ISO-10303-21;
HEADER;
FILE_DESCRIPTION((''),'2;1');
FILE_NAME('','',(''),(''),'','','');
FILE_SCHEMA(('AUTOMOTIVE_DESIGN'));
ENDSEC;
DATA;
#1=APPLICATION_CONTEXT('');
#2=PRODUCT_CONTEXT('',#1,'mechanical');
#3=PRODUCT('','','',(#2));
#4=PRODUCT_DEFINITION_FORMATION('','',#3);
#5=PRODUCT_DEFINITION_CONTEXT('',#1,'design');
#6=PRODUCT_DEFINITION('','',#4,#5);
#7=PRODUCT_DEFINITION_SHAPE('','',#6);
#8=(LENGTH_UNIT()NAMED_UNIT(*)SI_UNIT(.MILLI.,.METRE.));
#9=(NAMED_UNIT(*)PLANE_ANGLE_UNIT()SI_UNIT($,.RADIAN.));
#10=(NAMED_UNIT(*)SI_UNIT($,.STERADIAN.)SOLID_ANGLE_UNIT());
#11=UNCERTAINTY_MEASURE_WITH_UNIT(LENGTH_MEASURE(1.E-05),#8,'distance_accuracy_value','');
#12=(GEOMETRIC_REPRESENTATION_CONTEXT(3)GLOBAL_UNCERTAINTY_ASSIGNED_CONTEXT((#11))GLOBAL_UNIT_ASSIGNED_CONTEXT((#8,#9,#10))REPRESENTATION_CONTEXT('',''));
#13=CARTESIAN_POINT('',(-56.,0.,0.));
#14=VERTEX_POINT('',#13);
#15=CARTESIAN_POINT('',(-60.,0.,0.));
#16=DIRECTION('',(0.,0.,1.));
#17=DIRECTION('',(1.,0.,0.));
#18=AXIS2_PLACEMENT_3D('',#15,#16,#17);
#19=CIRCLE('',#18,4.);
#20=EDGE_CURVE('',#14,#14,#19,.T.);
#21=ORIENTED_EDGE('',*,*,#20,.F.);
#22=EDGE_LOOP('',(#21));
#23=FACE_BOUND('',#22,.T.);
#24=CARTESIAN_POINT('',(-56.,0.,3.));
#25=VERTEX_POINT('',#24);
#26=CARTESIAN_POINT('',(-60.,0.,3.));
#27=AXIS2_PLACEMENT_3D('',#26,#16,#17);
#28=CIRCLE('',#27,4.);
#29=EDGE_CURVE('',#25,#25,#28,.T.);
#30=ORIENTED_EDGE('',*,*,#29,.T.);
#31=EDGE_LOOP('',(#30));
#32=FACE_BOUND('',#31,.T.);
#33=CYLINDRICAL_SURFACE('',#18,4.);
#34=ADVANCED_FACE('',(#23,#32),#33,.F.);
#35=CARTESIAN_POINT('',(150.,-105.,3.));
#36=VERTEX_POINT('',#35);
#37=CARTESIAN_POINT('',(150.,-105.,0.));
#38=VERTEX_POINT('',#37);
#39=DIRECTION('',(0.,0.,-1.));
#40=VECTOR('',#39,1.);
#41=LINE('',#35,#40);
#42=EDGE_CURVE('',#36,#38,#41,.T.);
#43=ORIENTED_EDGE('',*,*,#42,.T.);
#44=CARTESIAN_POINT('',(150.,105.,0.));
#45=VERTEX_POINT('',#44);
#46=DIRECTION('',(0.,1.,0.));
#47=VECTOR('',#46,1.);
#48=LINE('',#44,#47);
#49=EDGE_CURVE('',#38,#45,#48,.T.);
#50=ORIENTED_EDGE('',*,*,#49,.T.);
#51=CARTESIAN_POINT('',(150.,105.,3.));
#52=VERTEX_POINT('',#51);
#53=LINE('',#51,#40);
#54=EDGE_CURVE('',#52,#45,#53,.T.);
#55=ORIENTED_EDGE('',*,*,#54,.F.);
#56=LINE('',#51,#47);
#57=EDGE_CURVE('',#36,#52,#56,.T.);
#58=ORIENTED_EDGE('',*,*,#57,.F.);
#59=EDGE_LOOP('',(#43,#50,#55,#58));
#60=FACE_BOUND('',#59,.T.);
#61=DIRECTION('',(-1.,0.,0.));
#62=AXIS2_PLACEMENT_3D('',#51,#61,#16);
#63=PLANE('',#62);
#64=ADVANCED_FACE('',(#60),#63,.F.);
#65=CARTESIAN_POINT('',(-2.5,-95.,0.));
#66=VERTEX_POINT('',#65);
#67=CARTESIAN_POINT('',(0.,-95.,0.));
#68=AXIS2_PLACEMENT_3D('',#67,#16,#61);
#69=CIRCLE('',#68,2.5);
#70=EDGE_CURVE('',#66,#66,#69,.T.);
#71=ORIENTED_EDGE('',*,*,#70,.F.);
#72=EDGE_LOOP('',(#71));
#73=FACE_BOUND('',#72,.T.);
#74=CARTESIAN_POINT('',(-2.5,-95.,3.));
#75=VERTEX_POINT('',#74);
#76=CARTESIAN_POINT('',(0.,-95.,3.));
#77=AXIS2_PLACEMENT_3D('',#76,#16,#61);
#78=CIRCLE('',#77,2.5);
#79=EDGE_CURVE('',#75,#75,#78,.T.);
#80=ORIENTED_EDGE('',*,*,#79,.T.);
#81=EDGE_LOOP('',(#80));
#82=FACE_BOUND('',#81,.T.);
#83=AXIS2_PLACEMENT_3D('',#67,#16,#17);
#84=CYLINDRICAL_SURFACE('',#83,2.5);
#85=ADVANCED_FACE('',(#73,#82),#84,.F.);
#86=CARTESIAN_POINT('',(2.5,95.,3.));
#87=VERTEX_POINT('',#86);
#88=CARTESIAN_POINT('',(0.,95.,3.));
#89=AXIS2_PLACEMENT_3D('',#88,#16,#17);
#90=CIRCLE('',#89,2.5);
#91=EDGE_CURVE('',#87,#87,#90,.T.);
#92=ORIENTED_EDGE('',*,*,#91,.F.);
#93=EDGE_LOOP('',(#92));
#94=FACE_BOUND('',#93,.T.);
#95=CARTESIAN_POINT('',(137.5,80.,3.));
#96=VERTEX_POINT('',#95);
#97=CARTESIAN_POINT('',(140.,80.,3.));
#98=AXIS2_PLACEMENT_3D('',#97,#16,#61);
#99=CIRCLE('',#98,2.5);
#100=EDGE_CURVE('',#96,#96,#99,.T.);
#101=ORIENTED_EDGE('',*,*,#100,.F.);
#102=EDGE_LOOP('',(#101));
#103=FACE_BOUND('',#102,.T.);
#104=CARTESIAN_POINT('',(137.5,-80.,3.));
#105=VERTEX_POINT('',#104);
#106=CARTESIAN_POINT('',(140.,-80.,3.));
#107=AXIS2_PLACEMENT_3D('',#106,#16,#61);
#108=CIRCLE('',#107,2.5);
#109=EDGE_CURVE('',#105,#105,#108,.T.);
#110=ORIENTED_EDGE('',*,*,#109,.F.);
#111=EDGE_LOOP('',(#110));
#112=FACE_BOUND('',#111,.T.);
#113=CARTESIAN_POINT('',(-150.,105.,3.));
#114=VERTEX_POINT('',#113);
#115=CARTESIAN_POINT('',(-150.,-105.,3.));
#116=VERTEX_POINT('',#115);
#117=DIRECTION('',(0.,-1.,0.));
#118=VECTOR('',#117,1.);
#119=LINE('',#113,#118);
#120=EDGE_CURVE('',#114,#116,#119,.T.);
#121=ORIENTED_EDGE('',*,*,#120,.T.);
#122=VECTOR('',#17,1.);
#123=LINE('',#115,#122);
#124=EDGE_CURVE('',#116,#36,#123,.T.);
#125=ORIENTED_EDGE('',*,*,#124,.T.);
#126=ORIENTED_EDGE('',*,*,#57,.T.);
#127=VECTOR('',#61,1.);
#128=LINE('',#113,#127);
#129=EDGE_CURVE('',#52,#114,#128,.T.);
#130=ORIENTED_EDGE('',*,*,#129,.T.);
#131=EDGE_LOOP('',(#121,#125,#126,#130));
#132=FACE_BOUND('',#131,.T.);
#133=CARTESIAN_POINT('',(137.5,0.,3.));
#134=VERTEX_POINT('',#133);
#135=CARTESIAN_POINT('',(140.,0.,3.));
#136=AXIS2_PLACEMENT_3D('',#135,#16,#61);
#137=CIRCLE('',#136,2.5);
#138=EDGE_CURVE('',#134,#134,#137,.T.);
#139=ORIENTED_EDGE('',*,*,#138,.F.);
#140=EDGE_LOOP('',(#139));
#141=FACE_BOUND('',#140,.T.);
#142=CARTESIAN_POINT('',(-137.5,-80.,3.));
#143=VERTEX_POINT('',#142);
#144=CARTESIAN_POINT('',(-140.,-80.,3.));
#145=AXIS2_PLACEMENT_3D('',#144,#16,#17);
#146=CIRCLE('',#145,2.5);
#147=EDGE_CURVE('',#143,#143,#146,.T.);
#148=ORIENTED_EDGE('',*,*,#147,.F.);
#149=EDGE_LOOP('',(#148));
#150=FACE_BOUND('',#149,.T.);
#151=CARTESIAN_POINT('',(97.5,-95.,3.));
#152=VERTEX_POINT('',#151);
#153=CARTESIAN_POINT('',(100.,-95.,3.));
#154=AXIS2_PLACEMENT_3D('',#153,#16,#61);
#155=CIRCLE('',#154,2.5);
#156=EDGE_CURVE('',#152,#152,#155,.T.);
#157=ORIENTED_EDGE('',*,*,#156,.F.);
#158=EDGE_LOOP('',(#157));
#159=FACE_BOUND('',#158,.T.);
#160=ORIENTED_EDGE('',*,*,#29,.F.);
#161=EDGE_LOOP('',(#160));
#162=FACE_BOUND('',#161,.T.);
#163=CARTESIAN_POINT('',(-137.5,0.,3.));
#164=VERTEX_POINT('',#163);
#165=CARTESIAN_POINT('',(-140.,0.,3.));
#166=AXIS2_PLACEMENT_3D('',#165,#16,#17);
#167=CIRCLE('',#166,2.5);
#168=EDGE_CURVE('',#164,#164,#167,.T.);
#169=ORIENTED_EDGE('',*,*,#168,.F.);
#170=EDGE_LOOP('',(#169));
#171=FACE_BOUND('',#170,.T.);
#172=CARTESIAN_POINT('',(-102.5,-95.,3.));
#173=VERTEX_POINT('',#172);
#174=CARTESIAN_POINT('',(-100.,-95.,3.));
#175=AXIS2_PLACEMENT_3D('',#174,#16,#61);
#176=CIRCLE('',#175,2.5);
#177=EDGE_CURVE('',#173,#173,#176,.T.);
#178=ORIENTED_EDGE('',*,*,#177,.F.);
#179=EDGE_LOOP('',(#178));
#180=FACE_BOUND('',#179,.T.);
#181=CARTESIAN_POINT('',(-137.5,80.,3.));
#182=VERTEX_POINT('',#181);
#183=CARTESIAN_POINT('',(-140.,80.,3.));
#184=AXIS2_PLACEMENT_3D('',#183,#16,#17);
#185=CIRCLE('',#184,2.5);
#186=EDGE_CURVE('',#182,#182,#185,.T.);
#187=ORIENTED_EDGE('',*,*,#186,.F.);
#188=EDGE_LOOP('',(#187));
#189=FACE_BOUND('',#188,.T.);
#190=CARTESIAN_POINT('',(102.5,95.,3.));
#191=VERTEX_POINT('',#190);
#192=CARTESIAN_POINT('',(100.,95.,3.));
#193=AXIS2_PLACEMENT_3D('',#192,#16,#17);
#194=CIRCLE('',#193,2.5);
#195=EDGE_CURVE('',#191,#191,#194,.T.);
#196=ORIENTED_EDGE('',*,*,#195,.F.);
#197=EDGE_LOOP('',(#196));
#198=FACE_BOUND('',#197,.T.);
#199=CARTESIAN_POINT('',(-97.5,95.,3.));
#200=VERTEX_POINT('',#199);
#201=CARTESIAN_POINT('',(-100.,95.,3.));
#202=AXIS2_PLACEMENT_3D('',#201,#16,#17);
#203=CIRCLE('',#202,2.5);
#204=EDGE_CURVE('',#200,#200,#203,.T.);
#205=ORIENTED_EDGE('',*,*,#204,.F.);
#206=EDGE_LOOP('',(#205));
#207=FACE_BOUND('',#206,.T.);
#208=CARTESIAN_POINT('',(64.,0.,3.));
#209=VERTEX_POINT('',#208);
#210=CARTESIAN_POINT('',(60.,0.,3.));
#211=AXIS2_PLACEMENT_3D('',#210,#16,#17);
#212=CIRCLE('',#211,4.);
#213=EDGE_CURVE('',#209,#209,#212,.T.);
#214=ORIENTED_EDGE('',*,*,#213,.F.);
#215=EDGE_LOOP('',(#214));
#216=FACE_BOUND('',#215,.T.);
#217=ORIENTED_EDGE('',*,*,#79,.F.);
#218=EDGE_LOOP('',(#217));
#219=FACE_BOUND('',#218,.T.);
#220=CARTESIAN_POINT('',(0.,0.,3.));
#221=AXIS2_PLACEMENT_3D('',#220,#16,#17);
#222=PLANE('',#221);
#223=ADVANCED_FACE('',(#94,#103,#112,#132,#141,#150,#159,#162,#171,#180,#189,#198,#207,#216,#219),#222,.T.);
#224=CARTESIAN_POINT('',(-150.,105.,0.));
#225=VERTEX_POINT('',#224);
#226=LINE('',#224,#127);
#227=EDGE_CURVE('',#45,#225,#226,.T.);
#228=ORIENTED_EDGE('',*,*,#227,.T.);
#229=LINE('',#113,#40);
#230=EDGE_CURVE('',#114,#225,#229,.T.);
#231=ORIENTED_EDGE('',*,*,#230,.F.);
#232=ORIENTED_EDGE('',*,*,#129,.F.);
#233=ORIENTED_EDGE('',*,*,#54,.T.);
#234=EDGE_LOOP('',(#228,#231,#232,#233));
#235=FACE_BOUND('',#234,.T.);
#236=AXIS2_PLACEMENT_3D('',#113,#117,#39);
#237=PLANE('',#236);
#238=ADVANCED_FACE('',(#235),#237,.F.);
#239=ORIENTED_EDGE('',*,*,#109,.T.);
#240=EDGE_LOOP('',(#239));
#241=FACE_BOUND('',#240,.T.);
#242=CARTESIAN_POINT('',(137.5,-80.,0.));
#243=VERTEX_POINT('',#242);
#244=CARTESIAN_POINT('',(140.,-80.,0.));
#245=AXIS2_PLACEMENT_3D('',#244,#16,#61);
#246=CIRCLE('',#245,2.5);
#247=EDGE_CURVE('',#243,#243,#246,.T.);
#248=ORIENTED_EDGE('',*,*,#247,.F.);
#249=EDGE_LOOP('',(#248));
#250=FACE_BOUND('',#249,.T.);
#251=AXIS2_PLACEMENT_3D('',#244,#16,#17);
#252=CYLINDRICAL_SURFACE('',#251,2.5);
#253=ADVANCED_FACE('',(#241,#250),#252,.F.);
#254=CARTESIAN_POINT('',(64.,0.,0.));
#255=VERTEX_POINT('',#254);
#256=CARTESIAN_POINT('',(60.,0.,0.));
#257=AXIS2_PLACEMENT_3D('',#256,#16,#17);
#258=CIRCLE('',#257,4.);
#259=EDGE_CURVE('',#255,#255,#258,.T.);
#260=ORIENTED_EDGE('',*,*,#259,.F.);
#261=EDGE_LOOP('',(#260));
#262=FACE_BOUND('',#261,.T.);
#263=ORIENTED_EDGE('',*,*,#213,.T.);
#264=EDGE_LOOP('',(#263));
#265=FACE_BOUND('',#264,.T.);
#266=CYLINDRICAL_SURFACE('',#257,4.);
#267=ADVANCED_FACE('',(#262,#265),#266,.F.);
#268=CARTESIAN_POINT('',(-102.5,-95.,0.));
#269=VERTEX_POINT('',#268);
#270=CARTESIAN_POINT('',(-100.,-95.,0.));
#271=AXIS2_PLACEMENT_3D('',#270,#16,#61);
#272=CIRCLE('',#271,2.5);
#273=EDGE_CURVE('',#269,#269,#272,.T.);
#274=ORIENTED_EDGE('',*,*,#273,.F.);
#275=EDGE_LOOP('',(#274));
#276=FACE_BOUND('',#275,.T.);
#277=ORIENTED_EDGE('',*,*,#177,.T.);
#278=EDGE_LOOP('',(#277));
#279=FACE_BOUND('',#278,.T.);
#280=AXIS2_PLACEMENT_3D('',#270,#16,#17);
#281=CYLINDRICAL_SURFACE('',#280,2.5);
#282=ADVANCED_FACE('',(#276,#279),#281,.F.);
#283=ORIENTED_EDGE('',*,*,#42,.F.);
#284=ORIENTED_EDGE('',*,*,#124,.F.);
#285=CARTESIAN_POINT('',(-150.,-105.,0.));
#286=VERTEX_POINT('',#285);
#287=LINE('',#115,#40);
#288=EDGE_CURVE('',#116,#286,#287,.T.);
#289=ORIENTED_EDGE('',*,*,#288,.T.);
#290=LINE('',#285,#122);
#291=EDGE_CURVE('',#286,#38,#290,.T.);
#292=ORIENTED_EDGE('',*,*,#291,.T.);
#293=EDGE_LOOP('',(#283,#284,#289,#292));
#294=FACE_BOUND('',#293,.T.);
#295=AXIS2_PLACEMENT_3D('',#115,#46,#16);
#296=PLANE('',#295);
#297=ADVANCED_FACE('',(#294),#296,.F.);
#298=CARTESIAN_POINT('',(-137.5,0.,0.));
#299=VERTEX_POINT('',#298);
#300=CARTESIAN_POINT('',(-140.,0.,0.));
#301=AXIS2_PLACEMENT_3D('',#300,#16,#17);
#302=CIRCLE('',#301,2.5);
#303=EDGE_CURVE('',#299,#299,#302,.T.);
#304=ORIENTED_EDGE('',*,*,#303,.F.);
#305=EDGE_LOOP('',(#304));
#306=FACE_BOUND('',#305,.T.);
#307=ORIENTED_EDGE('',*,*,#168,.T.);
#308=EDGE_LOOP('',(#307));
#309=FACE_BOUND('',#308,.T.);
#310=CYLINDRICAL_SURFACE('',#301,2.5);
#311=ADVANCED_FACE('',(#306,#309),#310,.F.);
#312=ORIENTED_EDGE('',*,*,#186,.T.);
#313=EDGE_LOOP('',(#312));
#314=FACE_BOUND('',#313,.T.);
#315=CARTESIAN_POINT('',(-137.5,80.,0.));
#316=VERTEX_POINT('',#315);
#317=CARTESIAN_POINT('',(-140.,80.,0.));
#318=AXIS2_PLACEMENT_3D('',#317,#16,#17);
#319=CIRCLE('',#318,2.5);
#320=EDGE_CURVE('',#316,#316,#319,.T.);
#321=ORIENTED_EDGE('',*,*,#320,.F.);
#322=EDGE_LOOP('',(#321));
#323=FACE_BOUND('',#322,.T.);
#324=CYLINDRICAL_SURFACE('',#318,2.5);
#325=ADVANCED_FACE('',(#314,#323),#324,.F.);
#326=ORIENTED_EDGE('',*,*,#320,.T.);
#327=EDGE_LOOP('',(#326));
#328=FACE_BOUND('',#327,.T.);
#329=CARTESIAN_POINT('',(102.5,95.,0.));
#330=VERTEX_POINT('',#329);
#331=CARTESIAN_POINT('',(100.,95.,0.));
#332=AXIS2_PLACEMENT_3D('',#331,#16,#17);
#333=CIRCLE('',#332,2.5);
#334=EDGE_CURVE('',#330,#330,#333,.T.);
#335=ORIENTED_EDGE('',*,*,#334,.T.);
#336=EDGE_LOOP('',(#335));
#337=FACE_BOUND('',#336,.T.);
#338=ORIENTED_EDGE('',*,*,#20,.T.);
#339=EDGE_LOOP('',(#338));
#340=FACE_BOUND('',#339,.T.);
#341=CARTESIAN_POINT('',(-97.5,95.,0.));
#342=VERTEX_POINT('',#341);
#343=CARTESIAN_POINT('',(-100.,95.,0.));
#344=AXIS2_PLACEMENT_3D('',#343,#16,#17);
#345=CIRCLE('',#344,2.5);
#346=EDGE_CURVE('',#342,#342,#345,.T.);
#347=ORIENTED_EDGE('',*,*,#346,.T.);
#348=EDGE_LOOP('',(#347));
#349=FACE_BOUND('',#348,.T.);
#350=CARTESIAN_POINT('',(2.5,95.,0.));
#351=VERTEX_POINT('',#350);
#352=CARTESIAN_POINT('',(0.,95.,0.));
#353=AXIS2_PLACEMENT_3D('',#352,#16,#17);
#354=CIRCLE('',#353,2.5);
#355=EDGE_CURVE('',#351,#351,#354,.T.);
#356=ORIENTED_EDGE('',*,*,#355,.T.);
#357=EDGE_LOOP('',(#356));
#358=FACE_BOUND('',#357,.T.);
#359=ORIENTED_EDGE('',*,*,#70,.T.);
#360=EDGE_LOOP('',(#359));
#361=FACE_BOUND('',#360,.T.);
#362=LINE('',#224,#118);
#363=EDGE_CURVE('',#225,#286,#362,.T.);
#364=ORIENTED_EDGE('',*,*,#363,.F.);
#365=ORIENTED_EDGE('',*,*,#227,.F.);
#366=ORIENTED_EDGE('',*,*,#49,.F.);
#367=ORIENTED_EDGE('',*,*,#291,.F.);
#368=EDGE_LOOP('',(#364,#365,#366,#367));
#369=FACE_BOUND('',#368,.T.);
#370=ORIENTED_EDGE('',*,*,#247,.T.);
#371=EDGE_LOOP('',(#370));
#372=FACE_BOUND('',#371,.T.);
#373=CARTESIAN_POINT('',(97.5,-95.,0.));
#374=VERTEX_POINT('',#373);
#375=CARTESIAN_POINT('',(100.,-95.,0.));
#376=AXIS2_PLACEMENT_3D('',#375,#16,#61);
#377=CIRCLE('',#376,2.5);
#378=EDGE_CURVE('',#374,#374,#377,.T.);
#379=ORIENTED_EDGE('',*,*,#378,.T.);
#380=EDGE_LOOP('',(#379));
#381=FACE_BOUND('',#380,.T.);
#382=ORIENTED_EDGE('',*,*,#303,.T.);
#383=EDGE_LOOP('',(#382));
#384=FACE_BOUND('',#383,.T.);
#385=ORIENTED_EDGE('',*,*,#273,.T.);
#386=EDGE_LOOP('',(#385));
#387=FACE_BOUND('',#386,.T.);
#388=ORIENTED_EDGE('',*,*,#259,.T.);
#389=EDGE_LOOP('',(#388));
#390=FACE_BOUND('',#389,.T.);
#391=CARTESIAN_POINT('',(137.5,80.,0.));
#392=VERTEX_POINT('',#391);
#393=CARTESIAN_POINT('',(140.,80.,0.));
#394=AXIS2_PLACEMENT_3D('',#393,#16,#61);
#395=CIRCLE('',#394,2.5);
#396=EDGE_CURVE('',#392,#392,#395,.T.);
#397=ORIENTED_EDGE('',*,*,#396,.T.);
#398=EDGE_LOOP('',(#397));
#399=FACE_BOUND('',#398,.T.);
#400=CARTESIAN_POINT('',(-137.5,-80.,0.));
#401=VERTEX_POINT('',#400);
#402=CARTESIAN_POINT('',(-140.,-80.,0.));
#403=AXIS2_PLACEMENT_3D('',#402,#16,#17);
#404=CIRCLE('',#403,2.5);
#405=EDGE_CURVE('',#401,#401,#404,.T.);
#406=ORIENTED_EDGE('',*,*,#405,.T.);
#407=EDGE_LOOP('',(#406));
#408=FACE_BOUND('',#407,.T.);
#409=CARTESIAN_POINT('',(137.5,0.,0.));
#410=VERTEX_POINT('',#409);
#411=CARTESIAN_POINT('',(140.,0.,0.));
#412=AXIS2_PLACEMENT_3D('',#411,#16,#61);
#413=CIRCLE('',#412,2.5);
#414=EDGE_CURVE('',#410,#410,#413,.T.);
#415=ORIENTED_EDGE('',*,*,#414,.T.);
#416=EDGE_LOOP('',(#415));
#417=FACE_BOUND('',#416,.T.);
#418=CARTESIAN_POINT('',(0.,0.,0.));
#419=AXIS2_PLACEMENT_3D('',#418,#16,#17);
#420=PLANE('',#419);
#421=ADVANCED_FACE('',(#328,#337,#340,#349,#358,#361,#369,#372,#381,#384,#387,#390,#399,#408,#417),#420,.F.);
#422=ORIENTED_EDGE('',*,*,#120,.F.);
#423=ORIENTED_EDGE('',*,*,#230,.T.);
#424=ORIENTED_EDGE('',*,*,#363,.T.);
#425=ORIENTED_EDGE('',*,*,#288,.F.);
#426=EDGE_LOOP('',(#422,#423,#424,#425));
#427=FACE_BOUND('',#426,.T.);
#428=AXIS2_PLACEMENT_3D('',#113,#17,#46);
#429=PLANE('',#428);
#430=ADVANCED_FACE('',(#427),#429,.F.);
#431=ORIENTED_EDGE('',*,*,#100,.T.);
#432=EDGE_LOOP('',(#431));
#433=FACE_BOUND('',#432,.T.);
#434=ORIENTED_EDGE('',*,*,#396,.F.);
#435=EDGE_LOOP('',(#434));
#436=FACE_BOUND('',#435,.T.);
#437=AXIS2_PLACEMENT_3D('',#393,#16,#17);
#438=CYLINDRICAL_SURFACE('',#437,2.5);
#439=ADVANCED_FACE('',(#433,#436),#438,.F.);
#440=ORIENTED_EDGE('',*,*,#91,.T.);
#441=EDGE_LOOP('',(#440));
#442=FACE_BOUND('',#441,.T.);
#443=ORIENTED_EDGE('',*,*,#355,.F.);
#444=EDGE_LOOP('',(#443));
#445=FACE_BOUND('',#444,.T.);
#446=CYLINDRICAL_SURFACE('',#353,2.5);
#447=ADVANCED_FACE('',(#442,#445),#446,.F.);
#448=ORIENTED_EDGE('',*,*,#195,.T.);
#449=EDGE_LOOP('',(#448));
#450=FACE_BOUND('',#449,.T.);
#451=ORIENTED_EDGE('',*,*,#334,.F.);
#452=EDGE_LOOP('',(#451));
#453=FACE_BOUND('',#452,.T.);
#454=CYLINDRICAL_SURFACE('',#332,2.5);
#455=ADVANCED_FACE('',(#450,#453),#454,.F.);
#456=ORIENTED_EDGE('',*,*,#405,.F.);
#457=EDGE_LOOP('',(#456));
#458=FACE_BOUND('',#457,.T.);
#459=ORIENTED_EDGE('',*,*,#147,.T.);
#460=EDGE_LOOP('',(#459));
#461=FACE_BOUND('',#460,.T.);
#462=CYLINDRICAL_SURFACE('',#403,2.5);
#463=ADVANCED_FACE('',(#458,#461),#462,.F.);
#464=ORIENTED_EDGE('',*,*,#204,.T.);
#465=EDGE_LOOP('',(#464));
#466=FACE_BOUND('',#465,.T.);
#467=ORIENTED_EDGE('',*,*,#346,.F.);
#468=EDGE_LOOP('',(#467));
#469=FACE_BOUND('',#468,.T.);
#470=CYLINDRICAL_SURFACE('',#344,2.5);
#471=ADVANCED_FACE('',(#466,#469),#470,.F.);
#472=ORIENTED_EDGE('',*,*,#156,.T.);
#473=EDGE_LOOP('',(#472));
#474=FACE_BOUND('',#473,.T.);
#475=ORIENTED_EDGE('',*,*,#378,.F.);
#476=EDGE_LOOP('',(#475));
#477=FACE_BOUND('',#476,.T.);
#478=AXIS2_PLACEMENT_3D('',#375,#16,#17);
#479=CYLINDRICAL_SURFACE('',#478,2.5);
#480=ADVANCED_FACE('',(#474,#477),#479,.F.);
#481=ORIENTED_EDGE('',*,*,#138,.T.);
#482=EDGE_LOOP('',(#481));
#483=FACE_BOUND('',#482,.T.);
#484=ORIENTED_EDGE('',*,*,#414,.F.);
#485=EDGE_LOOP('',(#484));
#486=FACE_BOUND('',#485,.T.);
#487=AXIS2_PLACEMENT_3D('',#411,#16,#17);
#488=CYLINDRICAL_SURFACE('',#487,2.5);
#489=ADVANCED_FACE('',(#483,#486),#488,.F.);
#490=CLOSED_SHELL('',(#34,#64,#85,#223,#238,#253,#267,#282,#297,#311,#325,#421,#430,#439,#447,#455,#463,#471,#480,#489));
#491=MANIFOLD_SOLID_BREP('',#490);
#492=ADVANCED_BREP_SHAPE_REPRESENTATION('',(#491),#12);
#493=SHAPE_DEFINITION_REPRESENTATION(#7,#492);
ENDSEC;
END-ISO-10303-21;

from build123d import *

# Parameters (mm, degrees)
CROQUIS1_W              = 300
CROQUIS1_H              = 210
SALIENTE_EXTRUIR1_DEPTH = 3
CROQUIS3_R              = 2.5
CORTAR_EXTRUIR1_DEPTH   = 4
CROQUIS4_R              = 4
CORTAR_EXTRUIR2_DEPTH   = 4


with BuildPart() as part:
    # Croquis1 → Saliente-Extruir1 (new body)
    with BuildSketch(Plane.XY):
        Rectangle(CROQUIS1_W, CROQUIS1_H)
    extrude(amount=SALIENTE_EXTRUIR1_DEPTH)

    # Croquis3 → Cortar-Extruir1 (cut, through all)
    with BuildSketch(Plane.XY.offset(3)):
        with Locations((0, 95)):
            Circle(CROQUIS3_R)
        with Locations((-140, 0)):
            Circle(CROQUIS3_R)
        with Locations((100, 95)):
            Circle(CROQUIS3_R)
        with Locations((-100, 95)):
            Circle(CROQUIS3_R)
        with Locations((-140, 80)):
            Circle(CROQUIS3_R)
        with Locations((-140, -80)):
            Circle(CROQUIS3_R)
        with Locations((100, -95)):
            Circle(CROQUIS3_R)
        with Locations((-100, -95)):
            Circle(CROQUIS3_R)
        with Locations((0, -95)):
            Circle(CROQUIS3_R)
        with Locations((140, -80)):
            Circle(CROQUIS3_R)
        with Locations((140, 80)):
            Circle(CROQUIS3_R)
        with Locations((140, 0)):
            Circle(CROQUIS3_R)
    extrude(amount=-CORTAR_EXTRUIR1_DEPTH, mode=Mode.SUBTRACT)

    # Croquis4 → Cortar-Extruir2 (cut, through all)
    with BuildSketch(Plane.XY.offset(3)):
        with Locations((-60, 0)):
            Circle(CROQUIS4_R)
        with Locations((60, 0)):
            Circle(CROQUIS4_R)
    extrude(amount=-CORTAR_EXTRUIR2_DEPTH, mode=Mode.SUBTRACT)


solid = part.part
